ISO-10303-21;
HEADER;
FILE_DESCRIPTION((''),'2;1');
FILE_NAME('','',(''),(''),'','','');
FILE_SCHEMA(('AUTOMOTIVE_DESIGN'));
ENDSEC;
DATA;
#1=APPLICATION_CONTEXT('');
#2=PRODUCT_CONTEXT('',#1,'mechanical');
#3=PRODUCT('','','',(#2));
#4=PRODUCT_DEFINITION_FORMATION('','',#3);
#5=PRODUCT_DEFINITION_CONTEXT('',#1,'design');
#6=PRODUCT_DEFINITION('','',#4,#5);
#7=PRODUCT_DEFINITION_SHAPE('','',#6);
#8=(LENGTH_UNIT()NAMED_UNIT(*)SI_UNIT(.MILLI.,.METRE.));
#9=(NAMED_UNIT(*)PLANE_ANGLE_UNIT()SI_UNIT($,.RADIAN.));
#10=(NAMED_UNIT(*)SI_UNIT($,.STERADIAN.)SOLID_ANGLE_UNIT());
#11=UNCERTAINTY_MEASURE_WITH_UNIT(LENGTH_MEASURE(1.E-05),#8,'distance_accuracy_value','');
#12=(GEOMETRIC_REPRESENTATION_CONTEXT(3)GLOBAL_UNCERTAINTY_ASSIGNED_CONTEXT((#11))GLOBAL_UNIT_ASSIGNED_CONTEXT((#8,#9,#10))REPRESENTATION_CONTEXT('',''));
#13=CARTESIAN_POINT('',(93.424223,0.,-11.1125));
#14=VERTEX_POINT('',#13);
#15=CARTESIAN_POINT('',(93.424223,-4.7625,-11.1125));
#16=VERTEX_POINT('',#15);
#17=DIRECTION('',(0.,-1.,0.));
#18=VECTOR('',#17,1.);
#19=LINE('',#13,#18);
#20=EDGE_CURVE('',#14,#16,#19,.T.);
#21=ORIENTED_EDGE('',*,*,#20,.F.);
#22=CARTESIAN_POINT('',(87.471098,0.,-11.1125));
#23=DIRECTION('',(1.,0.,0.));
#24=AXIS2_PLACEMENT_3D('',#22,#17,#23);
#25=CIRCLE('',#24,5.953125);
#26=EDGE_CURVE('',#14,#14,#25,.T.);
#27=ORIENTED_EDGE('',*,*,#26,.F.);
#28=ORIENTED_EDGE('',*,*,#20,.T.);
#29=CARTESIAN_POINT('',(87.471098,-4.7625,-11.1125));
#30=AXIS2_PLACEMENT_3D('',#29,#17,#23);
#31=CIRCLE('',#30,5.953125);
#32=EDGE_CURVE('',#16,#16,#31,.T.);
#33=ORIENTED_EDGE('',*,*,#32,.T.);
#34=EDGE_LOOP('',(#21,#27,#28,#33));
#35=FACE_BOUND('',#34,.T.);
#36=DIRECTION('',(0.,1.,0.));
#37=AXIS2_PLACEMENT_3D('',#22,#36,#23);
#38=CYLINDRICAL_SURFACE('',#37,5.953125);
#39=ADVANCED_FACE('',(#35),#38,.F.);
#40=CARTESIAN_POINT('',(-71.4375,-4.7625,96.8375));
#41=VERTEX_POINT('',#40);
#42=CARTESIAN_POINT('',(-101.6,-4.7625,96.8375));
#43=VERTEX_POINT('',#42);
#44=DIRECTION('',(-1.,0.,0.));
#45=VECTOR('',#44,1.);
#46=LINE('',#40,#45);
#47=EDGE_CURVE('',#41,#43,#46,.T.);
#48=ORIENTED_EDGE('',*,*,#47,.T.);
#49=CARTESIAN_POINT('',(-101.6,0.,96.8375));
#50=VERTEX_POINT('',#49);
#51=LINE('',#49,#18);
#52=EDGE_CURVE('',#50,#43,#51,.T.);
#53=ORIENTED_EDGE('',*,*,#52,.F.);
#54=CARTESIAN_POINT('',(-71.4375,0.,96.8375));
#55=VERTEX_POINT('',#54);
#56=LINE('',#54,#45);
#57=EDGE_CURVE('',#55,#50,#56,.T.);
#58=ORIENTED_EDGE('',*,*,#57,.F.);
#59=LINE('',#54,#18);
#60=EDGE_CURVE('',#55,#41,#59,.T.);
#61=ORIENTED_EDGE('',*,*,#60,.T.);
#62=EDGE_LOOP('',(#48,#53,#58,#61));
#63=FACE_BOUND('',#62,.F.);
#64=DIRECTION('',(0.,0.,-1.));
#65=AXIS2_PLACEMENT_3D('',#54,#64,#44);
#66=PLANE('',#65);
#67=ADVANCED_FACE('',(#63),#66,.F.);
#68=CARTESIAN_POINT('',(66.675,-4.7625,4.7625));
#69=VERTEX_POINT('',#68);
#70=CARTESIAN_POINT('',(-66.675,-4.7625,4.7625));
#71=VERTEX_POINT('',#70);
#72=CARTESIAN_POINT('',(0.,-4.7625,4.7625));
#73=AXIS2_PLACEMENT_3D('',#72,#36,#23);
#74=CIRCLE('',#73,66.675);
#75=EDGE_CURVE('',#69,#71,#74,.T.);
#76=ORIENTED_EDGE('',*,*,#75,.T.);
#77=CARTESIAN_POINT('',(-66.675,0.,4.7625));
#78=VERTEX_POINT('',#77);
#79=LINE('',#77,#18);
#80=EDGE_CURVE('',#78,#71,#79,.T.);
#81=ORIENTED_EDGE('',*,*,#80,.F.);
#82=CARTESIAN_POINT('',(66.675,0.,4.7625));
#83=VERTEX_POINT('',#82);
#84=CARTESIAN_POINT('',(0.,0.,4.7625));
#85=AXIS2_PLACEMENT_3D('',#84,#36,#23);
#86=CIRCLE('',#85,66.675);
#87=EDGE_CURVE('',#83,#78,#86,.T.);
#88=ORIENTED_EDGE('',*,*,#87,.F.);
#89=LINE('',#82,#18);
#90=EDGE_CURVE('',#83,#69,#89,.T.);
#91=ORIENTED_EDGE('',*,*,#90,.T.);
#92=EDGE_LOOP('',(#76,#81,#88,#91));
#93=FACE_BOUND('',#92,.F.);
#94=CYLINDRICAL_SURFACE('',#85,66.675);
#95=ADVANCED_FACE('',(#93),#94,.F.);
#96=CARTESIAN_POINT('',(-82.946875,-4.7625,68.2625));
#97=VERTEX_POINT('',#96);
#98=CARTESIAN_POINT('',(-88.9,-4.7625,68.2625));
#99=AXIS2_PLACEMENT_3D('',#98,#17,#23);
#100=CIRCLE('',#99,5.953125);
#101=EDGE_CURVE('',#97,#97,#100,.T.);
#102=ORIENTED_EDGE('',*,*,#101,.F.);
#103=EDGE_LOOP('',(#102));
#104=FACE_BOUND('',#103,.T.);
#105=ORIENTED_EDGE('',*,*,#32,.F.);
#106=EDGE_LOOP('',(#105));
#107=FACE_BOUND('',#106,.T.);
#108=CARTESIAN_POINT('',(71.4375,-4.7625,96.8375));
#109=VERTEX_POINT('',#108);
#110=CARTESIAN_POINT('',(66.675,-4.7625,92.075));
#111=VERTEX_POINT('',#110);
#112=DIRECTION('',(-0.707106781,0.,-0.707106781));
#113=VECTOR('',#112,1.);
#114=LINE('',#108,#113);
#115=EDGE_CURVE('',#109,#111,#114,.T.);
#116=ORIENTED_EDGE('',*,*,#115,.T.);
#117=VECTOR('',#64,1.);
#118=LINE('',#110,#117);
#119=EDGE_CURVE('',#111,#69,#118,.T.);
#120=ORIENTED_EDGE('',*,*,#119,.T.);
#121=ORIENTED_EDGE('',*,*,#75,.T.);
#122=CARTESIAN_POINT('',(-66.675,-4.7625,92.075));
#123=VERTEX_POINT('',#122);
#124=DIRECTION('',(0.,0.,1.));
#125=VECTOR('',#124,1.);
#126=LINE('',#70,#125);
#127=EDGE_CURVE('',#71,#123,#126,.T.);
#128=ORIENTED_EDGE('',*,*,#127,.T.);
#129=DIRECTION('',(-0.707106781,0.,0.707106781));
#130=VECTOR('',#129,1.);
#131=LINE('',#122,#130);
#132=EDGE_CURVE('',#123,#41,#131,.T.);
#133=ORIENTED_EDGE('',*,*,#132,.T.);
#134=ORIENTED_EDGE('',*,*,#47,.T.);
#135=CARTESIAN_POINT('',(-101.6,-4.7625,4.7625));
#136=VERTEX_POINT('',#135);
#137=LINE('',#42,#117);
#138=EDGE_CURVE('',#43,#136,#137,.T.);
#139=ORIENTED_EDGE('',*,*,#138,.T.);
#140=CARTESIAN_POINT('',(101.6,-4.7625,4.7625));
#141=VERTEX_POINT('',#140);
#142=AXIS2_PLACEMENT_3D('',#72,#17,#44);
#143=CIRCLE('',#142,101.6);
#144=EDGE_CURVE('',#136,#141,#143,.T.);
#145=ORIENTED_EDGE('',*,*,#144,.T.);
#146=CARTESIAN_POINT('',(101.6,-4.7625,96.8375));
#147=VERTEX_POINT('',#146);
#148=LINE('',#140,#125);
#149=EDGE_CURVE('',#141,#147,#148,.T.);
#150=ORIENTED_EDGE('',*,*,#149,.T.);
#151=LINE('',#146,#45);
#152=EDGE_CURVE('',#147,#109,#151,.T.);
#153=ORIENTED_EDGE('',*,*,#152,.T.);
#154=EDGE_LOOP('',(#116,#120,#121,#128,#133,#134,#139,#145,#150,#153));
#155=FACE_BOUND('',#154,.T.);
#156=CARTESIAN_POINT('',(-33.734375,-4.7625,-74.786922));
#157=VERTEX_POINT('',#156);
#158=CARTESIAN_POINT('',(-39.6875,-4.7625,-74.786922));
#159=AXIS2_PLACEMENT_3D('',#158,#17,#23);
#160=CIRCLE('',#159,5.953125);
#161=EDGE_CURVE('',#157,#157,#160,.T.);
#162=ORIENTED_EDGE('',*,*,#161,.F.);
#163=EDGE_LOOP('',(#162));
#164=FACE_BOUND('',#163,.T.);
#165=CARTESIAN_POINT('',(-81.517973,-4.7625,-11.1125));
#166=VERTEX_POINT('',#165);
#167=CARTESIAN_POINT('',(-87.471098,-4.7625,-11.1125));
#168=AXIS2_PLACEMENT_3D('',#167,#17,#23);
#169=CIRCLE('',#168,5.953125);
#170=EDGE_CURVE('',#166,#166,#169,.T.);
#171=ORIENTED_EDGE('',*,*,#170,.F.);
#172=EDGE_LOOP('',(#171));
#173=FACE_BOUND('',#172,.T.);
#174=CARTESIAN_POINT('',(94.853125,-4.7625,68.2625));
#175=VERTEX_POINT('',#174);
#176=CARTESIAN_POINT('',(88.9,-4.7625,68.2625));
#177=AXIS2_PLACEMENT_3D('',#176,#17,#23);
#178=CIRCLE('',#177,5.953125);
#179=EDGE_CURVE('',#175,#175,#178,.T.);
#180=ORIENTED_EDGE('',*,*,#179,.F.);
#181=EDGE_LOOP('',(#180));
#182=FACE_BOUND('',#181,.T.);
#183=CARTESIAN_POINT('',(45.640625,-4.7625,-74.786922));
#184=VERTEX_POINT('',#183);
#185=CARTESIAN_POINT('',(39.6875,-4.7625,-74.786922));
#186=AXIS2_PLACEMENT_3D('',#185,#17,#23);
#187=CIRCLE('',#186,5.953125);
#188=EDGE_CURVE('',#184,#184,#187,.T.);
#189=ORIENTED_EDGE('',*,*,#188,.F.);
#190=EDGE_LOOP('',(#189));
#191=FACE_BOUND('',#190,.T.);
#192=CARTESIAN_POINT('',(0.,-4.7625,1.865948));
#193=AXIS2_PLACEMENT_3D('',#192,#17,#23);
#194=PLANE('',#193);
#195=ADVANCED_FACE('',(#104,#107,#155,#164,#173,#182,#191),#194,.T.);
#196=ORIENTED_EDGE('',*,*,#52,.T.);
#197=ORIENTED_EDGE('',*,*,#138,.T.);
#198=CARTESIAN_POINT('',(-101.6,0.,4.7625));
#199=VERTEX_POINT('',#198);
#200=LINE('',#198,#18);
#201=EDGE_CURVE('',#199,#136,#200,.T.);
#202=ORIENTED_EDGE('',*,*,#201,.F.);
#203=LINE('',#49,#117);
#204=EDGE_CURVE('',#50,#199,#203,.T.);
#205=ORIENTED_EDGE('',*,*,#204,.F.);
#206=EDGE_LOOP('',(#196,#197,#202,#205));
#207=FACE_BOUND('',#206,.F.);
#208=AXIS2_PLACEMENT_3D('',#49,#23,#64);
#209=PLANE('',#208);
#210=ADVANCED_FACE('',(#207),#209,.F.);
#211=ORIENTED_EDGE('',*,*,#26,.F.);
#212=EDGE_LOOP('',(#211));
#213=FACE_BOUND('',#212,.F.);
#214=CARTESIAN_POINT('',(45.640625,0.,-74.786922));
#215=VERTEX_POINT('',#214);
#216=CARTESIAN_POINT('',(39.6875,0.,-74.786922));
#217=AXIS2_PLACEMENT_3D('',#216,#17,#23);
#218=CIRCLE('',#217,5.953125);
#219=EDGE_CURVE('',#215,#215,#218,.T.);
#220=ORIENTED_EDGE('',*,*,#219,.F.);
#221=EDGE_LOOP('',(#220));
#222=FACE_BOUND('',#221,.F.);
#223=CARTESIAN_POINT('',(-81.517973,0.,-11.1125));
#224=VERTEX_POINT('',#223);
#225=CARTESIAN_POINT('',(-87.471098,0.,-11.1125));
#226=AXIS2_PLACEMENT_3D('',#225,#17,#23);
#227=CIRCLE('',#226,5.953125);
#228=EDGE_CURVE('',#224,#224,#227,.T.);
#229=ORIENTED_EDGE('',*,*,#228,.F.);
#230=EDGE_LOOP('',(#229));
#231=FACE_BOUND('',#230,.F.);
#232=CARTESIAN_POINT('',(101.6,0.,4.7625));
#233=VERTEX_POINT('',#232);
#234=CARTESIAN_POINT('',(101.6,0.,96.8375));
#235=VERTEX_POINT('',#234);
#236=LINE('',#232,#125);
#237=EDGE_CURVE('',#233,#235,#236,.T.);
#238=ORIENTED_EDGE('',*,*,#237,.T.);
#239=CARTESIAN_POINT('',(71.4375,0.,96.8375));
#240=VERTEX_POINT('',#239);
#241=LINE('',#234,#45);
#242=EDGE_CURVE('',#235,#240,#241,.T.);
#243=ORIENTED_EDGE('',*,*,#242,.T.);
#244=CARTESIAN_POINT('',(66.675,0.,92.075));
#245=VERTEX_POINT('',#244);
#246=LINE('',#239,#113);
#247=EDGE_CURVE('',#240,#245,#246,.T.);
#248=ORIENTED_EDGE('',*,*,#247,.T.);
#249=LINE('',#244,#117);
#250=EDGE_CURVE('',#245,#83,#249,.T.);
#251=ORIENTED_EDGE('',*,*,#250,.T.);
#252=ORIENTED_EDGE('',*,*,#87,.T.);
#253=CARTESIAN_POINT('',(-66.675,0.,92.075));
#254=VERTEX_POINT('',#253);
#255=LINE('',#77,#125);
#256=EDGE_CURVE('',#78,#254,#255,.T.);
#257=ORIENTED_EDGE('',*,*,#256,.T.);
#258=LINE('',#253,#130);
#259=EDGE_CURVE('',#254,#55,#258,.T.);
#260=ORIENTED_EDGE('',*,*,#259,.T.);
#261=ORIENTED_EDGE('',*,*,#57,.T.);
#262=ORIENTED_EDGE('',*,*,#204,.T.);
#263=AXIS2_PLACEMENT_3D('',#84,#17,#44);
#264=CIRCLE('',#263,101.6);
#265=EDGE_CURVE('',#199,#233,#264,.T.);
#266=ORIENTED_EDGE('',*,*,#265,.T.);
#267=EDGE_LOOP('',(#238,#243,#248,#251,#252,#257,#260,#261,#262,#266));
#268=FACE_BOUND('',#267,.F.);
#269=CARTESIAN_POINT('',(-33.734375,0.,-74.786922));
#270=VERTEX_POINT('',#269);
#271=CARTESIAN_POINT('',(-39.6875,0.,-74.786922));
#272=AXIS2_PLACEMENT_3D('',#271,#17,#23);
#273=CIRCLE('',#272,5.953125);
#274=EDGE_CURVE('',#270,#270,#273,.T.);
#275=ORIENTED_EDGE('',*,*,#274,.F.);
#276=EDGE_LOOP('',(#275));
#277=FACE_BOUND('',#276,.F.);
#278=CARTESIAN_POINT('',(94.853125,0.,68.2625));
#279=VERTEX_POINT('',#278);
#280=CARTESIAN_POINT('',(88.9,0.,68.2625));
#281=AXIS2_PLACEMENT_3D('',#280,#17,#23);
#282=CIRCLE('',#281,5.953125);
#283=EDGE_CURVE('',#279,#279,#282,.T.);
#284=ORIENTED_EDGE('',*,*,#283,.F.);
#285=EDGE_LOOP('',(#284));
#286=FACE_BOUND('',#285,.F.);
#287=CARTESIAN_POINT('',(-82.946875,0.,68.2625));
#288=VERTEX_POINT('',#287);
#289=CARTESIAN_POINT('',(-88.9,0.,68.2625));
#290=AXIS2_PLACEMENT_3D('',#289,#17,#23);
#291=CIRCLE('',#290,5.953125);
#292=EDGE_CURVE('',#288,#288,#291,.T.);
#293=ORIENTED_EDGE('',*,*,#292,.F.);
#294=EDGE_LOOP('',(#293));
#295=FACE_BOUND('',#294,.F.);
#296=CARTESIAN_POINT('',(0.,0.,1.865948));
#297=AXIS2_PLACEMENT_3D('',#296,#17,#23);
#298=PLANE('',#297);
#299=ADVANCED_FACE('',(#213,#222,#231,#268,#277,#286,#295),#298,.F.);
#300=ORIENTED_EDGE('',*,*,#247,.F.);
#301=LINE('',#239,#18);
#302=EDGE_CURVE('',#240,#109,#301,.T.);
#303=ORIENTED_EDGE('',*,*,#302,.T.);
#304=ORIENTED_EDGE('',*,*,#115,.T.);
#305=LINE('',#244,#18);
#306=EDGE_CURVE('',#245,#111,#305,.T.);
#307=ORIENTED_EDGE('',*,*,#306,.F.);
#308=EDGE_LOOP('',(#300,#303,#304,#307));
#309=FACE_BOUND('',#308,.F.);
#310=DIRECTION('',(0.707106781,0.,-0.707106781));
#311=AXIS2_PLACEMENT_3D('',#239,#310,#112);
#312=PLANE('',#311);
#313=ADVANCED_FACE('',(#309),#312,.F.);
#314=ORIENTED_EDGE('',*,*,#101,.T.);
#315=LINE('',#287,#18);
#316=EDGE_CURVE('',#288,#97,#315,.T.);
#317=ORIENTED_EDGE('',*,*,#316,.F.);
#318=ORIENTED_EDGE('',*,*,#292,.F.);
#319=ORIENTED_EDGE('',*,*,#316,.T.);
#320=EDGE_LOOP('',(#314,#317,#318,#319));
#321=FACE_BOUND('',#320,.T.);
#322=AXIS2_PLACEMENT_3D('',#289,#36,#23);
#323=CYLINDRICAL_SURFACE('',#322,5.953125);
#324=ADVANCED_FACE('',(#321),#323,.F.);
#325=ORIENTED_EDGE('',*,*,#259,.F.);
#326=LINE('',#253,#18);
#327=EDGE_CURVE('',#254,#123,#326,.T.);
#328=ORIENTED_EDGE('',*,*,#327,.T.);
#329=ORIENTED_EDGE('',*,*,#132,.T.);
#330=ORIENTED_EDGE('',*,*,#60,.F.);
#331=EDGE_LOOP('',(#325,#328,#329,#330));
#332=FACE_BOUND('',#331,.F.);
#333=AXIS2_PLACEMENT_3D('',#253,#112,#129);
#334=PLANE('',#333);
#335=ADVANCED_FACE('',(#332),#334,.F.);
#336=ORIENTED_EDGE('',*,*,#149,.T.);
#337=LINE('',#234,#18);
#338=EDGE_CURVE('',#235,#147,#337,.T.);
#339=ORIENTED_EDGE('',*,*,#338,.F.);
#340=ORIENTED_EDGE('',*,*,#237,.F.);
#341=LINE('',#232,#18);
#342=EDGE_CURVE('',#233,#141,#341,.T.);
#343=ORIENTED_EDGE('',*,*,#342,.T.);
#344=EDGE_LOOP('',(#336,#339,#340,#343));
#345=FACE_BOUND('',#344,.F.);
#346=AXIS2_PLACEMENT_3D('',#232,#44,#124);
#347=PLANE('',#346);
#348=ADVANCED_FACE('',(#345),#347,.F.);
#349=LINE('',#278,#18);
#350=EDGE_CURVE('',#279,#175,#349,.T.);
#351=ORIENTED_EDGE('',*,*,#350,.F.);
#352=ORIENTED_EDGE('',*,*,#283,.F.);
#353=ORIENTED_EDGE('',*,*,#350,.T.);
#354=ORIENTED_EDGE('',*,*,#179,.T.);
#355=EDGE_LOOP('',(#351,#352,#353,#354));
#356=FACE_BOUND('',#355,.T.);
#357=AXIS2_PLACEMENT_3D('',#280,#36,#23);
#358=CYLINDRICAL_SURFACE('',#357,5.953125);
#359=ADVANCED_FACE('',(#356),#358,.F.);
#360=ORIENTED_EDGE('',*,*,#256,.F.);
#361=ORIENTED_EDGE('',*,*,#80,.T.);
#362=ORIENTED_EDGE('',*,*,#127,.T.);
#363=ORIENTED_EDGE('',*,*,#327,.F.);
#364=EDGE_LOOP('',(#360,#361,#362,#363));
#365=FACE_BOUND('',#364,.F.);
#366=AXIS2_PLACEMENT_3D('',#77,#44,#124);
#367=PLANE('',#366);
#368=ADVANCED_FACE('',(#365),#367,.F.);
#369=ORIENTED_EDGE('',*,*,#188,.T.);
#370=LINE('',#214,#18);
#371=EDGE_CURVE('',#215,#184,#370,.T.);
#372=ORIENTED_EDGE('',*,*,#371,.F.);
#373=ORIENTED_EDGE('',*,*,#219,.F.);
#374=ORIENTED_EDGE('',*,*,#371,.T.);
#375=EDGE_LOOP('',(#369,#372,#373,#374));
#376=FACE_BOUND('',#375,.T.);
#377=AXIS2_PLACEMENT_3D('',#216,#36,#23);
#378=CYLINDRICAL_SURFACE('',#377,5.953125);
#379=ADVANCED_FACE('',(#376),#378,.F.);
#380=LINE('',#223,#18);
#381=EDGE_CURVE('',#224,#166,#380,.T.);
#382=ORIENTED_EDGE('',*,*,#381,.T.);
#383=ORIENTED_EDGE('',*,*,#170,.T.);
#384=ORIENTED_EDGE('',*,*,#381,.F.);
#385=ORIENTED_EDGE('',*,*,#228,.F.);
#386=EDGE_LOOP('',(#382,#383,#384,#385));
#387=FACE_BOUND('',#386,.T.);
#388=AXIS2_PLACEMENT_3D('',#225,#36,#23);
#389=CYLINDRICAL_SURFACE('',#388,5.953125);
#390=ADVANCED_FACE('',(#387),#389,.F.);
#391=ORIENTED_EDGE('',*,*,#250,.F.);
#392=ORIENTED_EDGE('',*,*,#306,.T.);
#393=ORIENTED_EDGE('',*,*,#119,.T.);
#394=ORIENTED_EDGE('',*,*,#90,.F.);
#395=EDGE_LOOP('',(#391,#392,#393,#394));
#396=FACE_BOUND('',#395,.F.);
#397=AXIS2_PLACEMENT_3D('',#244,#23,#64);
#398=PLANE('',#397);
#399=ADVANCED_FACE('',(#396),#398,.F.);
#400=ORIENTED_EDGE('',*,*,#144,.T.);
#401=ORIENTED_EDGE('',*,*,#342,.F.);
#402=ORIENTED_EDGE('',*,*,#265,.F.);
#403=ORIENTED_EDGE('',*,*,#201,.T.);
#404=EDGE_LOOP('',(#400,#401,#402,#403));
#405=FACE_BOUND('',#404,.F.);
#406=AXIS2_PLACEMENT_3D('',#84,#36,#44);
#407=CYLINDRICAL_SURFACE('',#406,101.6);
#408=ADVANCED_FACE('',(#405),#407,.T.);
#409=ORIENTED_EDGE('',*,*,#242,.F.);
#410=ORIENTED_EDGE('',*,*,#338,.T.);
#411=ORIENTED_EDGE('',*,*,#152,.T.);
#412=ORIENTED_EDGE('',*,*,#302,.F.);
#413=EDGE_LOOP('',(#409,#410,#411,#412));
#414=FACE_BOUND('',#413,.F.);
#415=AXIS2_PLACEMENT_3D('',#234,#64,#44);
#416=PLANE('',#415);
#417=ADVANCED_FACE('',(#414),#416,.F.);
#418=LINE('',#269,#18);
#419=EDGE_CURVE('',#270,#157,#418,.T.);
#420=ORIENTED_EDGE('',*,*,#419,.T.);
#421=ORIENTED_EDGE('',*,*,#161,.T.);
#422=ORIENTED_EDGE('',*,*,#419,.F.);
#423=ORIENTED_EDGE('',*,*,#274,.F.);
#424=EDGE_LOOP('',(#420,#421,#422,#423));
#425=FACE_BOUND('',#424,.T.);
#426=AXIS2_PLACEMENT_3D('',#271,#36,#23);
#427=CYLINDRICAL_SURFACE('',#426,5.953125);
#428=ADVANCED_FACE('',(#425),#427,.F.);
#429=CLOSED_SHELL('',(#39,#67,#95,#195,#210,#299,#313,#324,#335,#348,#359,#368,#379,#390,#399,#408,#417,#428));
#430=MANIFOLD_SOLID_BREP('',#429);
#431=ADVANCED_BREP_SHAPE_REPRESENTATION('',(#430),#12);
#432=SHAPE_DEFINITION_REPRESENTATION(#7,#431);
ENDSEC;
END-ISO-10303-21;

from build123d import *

# Parameters (mm, degrees)
F0_R     = 5.953125
F1_DEPTH = 4.7625


with BuildPart() as f1:
    # F0 (on Front) → F1 (new body)
    with BuildSketch(Plane.XZ):
        with BuildLine():
            Line((101.6, 4.7625), (101.6, 96.8375))
            Line((101.6, 96.8375), (71.4375, 96.8375))
            Line((71.4375, 96.8375), (66.675, 92.075))
            Line((66.675, 92.075), (66.675, 4.7625))
            ThreePointArc((66.675, 4.7625), (0, -61.9125), (-66.675, 4.7625))
            Line((-66.675, 4.7625), (-66.675, 92.075))
            Line((-66.675, 92.075), (-71.4375, 96.8375))
            Line((-71.4375, 96.8375), (-101.6, 96.8375))
            Line((-101.6, 96.8375), (-101.6, 4.7625))
            ThreePointArc((-101.6, 4.7625), (0, -96.8375), (101.6, 4.7625))
        make_face()
        with Locations((-39.6875, -74.786922)):
            Circle(F0_R, mode=Mode.SUBTRACT)
        with Locations((-87.471098, -11.1125)):
            Circle(F0_R, mode=Mode.SUBTRACT)
        with Locations((39.6875, -74.786922)):
            Circle(F0_R, mode=Mode.SUBTRACT)
        with Locations((87.471098, -11.1125)):
            Circle(F0_R, mode=Mode.SUBTRACT)
        with Locations((-88.9, 68.2625)):
            Circle(F0_R, mode=Mode.SUBTRACT)
        with Locations((88.9, 68.2625)):
            Circle(F0_R, mode=Mode.SUBTRACT)
    extrude(amount=F1_DEPTH)


solid = f1.part
